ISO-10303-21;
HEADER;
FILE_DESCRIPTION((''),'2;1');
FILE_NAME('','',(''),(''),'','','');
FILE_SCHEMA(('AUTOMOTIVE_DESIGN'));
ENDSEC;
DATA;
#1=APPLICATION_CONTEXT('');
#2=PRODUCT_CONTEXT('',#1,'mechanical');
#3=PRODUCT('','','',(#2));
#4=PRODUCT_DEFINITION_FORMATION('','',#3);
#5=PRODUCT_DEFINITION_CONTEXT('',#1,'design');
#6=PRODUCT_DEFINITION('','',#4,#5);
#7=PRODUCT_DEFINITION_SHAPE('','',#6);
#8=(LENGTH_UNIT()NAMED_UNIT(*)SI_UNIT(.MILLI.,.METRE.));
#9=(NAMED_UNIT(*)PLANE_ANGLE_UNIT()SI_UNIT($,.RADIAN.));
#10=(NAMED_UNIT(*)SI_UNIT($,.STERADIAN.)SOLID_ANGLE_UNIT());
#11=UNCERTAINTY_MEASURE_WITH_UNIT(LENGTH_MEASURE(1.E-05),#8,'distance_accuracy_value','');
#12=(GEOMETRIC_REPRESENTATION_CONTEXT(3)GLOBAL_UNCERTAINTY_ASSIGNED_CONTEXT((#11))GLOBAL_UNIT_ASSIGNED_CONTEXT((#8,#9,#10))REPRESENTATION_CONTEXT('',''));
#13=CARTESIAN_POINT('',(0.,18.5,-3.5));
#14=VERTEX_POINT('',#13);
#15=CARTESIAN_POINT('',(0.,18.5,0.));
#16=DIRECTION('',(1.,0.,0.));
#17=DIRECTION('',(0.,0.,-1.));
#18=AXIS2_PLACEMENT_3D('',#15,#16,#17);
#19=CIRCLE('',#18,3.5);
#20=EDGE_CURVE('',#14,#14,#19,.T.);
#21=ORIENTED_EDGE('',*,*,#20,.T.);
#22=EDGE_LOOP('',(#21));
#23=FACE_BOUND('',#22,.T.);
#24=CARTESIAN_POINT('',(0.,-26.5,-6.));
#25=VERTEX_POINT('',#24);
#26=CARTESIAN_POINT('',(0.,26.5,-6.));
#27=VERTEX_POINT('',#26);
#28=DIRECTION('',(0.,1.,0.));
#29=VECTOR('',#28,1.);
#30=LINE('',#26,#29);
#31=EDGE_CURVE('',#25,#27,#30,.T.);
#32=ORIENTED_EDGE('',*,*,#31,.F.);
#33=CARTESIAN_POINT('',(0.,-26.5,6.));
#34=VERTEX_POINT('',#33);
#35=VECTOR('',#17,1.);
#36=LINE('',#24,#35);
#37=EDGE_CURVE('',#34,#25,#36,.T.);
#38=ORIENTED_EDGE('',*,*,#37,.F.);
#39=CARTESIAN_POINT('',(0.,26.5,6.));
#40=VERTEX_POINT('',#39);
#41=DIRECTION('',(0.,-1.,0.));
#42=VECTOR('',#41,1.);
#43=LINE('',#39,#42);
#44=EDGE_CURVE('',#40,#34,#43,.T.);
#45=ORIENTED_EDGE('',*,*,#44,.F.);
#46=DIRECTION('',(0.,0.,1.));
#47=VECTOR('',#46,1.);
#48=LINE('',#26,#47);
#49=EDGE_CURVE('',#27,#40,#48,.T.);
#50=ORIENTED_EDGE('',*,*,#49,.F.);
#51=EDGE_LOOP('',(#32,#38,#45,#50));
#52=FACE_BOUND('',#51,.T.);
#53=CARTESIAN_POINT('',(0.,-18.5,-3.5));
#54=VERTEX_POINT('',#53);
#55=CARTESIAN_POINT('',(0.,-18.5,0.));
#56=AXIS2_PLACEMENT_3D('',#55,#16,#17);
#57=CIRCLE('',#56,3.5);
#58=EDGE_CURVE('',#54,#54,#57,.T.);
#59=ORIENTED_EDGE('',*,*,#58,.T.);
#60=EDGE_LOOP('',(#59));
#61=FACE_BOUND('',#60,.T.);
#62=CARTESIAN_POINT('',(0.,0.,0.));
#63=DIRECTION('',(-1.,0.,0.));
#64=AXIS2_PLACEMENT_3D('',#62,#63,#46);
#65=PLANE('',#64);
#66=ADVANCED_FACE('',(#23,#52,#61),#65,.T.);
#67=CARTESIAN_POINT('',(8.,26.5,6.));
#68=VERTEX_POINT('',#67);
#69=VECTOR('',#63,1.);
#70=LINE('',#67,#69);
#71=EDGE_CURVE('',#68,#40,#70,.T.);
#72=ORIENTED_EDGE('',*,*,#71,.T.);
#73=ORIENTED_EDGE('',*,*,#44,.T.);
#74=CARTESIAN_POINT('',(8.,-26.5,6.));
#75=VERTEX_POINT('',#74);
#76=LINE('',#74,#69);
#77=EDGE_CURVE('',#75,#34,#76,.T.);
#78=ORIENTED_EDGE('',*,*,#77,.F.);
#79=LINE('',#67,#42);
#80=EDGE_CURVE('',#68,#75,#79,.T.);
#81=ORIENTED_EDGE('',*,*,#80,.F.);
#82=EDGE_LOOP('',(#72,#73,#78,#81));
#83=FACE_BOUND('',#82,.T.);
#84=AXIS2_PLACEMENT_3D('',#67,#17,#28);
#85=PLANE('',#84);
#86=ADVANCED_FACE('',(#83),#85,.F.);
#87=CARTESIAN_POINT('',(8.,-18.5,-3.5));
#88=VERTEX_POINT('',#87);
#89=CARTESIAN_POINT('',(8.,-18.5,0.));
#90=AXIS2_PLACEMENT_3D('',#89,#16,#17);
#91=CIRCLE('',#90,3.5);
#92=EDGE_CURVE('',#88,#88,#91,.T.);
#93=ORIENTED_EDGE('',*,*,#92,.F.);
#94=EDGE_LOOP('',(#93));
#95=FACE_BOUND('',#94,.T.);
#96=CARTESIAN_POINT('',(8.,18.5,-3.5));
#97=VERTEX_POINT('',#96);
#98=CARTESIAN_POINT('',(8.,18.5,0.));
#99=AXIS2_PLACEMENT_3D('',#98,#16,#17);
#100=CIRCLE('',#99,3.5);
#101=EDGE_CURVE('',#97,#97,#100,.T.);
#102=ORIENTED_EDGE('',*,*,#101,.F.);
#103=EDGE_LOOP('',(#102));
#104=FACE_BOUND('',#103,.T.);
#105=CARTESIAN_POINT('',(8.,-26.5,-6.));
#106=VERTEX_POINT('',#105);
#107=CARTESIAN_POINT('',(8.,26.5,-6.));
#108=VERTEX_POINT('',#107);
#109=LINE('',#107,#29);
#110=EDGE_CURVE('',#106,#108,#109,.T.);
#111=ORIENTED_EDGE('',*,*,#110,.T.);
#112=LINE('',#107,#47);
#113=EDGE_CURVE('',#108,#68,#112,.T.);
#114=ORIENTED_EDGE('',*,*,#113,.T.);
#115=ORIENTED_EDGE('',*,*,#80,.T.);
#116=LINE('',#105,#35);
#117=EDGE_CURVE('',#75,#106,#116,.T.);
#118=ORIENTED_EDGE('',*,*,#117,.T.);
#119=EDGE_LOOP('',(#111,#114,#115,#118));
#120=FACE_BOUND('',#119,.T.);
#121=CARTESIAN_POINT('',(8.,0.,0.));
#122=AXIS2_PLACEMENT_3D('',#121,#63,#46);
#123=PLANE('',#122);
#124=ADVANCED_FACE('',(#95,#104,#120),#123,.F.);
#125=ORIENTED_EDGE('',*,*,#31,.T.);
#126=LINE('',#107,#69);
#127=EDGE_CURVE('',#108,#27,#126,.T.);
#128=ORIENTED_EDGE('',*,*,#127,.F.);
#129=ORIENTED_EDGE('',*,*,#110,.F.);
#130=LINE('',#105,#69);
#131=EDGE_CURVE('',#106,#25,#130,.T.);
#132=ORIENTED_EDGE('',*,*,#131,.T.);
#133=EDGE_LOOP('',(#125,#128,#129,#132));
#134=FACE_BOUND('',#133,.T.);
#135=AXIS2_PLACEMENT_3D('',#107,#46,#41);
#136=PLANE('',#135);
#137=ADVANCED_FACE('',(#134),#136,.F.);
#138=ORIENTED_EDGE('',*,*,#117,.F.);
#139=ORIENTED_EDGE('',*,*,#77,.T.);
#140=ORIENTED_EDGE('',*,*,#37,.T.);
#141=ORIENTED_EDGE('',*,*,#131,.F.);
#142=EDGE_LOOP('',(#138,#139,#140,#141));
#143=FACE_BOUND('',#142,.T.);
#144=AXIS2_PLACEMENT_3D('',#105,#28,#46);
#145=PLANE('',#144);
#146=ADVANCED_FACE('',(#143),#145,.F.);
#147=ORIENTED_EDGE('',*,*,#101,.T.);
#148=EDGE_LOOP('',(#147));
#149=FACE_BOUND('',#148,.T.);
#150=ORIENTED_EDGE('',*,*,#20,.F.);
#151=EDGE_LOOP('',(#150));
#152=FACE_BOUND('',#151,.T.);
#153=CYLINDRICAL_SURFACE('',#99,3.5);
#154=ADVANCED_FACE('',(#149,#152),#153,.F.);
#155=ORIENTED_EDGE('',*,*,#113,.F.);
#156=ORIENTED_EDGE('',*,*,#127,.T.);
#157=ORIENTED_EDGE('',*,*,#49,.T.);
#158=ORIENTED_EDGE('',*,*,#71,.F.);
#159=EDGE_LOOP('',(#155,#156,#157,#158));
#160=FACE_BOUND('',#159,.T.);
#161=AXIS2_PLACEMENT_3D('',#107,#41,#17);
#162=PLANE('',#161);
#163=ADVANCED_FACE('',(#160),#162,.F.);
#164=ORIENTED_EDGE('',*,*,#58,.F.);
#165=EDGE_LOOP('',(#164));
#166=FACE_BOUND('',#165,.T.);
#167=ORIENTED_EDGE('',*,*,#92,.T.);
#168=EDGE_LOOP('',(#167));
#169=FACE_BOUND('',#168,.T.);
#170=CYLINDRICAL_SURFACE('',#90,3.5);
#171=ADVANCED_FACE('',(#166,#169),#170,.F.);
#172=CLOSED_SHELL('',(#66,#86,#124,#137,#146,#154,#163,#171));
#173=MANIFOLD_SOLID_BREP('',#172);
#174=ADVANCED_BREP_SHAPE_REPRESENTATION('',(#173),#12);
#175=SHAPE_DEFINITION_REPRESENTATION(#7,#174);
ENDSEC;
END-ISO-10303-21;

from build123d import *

# Parameters (mm, degrees)
SKETCH1_W                       = 12
SKETCH1_H                       = 53
BOSS_EXTRUDE1_DEPTH             = 8
F_6_0MM_CLEARANCE_DOWEL_HOLE1_D = 7


with BuildPart() as part:
    # Sketch1 → Boss-Extrude1 (new body)
    with BuildSketch(Plane(origin=(0, 0, 0), x_dir=(0, 0, -1), z_dir=(1, 0, 0))):
        Rectangle(SKETCH1_W, SKETCH1_H)
    extrude(amount=BOSS_EXTRUDE1_DEPTH)

    # Ø6.0mm Clearance Dowel Hole1 (through all)
    with Locations(Plane(origin=(8, 0, 0), x_dir=(0, 0, -1), z_dir=(1, 0, 0))):
        with Locations((0, 18.5), (0, -18.5)):
            Hole(F_6_0MM_CLEARANCE_DOWEL_HOLE1_D / 2)


solid = part.part
